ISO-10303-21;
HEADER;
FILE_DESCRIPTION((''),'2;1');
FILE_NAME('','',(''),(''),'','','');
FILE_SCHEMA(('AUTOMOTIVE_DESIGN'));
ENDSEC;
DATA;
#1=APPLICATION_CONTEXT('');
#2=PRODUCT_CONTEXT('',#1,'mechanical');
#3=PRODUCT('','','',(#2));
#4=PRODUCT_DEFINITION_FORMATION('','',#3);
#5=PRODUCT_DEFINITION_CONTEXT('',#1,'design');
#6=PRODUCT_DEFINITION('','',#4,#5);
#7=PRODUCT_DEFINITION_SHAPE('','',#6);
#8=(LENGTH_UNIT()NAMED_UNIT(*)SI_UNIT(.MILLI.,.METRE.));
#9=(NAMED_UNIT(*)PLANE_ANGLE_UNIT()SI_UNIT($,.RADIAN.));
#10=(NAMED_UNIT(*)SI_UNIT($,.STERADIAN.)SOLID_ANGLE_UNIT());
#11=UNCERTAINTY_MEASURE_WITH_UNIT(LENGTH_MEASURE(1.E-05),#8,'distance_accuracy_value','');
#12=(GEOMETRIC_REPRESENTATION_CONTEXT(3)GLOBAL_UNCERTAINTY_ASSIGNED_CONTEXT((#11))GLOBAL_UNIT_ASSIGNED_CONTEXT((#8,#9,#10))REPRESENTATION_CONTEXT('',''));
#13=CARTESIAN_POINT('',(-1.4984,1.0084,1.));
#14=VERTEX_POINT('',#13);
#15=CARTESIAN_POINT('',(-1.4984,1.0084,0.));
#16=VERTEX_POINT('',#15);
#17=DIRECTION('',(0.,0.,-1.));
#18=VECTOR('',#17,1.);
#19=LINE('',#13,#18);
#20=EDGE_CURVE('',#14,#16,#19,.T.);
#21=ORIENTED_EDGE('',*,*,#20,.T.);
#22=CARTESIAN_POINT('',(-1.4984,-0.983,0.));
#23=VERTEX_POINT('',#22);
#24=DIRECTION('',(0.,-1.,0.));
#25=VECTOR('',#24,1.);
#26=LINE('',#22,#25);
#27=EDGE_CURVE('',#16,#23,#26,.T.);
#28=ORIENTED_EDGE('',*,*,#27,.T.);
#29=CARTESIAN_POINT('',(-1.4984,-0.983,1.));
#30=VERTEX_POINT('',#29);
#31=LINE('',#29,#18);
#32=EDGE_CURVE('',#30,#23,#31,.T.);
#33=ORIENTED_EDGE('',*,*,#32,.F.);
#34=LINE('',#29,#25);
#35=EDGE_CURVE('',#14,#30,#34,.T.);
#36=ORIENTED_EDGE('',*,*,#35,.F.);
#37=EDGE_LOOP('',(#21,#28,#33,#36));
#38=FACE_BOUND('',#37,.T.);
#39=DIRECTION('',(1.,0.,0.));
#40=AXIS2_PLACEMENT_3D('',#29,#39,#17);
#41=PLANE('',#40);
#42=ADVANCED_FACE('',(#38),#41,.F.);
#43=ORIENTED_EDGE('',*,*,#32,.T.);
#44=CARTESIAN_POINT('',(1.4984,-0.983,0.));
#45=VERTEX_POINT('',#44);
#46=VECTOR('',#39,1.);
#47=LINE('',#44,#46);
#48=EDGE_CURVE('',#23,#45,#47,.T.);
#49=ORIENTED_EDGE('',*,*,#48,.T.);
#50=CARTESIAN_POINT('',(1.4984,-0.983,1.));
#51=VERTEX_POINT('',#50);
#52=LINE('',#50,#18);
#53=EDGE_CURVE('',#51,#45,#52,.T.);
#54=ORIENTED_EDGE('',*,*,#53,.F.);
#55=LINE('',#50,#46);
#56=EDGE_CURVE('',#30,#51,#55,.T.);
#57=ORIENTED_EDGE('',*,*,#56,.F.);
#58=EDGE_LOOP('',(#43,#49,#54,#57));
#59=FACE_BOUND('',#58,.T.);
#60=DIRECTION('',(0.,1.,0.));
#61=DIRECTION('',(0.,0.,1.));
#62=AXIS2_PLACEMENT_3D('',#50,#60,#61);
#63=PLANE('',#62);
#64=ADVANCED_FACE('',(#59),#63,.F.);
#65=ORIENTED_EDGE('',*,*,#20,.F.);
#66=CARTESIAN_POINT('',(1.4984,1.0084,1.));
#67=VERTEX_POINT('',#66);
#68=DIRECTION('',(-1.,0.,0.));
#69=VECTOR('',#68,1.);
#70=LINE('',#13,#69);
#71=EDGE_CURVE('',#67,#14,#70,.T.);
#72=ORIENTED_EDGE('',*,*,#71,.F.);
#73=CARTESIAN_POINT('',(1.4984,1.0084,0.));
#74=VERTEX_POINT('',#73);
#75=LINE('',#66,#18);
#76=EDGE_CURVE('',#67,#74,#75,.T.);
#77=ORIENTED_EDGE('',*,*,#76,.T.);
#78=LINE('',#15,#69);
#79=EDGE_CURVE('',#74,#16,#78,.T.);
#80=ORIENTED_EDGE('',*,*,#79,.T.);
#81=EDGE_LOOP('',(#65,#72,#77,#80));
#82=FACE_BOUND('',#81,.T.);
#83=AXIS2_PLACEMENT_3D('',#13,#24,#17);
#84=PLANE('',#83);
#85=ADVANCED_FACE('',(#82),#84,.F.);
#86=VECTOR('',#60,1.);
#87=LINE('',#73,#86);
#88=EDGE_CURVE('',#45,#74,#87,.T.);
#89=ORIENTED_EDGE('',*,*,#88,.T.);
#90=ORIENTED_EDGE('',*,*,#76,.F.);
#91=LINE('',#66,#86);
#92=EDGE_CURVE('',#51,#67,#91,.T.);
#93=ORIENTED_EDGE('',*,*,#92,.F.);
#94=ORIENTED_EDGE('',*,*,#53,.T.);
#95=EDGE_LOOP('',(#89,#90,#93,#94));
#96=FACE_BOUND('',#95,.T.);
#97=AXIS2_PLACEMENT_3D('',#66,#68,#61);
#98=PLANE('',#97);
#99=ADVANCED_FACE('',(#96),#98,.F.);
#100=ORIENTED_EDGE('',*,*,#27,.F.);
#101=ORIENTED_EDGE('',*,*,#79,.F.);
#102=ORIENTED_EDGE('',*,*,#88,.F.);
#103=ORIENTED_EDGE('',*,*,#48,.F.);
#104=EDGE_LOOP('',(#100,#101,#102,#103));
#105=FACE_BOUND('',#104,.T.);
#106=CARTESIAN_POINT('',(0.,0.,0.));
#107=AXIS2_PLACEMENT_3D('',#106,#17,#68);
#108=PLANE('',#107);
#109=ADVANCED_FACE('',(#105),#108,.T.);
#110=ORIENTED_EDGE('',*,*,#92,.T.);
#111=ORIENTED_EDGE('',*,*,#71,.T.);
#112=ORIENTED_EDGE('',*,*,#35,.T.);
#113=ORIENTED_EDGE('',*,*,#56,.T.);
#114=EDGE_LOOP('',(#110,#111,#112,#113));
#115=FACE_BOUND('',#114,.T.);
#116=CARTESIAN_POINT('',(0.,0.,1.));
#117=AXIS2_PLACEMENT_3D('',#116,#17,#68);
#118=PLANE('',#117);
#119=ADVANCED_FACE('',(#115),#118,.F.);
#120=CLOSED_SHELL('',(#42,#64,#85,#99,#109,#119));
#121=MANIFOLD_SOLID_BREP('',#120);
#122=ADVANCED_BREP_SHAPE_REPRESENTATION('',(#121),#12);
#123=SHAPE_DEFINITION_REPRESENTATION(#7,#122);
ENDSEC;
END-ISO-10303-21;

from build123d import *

# Parameters (mm, degrees)
SKIZZE1_W               = 2.9968
SKIZZE1_H               = 1.9914
COMPONENT_OUTLINE_DEPTH = 1


with BuildPart() as part:
    # Skizze1 → Component_Outline (new body)
    with BuildSketch(Plane.XY):
        with Locations((0, 0.0127)):
            Rectangle(SKIZZE1_W, SKIZZE1_H)
    extrude(amount=COMPONENT_OUTLINE_DEPTH)


solid = part.part
